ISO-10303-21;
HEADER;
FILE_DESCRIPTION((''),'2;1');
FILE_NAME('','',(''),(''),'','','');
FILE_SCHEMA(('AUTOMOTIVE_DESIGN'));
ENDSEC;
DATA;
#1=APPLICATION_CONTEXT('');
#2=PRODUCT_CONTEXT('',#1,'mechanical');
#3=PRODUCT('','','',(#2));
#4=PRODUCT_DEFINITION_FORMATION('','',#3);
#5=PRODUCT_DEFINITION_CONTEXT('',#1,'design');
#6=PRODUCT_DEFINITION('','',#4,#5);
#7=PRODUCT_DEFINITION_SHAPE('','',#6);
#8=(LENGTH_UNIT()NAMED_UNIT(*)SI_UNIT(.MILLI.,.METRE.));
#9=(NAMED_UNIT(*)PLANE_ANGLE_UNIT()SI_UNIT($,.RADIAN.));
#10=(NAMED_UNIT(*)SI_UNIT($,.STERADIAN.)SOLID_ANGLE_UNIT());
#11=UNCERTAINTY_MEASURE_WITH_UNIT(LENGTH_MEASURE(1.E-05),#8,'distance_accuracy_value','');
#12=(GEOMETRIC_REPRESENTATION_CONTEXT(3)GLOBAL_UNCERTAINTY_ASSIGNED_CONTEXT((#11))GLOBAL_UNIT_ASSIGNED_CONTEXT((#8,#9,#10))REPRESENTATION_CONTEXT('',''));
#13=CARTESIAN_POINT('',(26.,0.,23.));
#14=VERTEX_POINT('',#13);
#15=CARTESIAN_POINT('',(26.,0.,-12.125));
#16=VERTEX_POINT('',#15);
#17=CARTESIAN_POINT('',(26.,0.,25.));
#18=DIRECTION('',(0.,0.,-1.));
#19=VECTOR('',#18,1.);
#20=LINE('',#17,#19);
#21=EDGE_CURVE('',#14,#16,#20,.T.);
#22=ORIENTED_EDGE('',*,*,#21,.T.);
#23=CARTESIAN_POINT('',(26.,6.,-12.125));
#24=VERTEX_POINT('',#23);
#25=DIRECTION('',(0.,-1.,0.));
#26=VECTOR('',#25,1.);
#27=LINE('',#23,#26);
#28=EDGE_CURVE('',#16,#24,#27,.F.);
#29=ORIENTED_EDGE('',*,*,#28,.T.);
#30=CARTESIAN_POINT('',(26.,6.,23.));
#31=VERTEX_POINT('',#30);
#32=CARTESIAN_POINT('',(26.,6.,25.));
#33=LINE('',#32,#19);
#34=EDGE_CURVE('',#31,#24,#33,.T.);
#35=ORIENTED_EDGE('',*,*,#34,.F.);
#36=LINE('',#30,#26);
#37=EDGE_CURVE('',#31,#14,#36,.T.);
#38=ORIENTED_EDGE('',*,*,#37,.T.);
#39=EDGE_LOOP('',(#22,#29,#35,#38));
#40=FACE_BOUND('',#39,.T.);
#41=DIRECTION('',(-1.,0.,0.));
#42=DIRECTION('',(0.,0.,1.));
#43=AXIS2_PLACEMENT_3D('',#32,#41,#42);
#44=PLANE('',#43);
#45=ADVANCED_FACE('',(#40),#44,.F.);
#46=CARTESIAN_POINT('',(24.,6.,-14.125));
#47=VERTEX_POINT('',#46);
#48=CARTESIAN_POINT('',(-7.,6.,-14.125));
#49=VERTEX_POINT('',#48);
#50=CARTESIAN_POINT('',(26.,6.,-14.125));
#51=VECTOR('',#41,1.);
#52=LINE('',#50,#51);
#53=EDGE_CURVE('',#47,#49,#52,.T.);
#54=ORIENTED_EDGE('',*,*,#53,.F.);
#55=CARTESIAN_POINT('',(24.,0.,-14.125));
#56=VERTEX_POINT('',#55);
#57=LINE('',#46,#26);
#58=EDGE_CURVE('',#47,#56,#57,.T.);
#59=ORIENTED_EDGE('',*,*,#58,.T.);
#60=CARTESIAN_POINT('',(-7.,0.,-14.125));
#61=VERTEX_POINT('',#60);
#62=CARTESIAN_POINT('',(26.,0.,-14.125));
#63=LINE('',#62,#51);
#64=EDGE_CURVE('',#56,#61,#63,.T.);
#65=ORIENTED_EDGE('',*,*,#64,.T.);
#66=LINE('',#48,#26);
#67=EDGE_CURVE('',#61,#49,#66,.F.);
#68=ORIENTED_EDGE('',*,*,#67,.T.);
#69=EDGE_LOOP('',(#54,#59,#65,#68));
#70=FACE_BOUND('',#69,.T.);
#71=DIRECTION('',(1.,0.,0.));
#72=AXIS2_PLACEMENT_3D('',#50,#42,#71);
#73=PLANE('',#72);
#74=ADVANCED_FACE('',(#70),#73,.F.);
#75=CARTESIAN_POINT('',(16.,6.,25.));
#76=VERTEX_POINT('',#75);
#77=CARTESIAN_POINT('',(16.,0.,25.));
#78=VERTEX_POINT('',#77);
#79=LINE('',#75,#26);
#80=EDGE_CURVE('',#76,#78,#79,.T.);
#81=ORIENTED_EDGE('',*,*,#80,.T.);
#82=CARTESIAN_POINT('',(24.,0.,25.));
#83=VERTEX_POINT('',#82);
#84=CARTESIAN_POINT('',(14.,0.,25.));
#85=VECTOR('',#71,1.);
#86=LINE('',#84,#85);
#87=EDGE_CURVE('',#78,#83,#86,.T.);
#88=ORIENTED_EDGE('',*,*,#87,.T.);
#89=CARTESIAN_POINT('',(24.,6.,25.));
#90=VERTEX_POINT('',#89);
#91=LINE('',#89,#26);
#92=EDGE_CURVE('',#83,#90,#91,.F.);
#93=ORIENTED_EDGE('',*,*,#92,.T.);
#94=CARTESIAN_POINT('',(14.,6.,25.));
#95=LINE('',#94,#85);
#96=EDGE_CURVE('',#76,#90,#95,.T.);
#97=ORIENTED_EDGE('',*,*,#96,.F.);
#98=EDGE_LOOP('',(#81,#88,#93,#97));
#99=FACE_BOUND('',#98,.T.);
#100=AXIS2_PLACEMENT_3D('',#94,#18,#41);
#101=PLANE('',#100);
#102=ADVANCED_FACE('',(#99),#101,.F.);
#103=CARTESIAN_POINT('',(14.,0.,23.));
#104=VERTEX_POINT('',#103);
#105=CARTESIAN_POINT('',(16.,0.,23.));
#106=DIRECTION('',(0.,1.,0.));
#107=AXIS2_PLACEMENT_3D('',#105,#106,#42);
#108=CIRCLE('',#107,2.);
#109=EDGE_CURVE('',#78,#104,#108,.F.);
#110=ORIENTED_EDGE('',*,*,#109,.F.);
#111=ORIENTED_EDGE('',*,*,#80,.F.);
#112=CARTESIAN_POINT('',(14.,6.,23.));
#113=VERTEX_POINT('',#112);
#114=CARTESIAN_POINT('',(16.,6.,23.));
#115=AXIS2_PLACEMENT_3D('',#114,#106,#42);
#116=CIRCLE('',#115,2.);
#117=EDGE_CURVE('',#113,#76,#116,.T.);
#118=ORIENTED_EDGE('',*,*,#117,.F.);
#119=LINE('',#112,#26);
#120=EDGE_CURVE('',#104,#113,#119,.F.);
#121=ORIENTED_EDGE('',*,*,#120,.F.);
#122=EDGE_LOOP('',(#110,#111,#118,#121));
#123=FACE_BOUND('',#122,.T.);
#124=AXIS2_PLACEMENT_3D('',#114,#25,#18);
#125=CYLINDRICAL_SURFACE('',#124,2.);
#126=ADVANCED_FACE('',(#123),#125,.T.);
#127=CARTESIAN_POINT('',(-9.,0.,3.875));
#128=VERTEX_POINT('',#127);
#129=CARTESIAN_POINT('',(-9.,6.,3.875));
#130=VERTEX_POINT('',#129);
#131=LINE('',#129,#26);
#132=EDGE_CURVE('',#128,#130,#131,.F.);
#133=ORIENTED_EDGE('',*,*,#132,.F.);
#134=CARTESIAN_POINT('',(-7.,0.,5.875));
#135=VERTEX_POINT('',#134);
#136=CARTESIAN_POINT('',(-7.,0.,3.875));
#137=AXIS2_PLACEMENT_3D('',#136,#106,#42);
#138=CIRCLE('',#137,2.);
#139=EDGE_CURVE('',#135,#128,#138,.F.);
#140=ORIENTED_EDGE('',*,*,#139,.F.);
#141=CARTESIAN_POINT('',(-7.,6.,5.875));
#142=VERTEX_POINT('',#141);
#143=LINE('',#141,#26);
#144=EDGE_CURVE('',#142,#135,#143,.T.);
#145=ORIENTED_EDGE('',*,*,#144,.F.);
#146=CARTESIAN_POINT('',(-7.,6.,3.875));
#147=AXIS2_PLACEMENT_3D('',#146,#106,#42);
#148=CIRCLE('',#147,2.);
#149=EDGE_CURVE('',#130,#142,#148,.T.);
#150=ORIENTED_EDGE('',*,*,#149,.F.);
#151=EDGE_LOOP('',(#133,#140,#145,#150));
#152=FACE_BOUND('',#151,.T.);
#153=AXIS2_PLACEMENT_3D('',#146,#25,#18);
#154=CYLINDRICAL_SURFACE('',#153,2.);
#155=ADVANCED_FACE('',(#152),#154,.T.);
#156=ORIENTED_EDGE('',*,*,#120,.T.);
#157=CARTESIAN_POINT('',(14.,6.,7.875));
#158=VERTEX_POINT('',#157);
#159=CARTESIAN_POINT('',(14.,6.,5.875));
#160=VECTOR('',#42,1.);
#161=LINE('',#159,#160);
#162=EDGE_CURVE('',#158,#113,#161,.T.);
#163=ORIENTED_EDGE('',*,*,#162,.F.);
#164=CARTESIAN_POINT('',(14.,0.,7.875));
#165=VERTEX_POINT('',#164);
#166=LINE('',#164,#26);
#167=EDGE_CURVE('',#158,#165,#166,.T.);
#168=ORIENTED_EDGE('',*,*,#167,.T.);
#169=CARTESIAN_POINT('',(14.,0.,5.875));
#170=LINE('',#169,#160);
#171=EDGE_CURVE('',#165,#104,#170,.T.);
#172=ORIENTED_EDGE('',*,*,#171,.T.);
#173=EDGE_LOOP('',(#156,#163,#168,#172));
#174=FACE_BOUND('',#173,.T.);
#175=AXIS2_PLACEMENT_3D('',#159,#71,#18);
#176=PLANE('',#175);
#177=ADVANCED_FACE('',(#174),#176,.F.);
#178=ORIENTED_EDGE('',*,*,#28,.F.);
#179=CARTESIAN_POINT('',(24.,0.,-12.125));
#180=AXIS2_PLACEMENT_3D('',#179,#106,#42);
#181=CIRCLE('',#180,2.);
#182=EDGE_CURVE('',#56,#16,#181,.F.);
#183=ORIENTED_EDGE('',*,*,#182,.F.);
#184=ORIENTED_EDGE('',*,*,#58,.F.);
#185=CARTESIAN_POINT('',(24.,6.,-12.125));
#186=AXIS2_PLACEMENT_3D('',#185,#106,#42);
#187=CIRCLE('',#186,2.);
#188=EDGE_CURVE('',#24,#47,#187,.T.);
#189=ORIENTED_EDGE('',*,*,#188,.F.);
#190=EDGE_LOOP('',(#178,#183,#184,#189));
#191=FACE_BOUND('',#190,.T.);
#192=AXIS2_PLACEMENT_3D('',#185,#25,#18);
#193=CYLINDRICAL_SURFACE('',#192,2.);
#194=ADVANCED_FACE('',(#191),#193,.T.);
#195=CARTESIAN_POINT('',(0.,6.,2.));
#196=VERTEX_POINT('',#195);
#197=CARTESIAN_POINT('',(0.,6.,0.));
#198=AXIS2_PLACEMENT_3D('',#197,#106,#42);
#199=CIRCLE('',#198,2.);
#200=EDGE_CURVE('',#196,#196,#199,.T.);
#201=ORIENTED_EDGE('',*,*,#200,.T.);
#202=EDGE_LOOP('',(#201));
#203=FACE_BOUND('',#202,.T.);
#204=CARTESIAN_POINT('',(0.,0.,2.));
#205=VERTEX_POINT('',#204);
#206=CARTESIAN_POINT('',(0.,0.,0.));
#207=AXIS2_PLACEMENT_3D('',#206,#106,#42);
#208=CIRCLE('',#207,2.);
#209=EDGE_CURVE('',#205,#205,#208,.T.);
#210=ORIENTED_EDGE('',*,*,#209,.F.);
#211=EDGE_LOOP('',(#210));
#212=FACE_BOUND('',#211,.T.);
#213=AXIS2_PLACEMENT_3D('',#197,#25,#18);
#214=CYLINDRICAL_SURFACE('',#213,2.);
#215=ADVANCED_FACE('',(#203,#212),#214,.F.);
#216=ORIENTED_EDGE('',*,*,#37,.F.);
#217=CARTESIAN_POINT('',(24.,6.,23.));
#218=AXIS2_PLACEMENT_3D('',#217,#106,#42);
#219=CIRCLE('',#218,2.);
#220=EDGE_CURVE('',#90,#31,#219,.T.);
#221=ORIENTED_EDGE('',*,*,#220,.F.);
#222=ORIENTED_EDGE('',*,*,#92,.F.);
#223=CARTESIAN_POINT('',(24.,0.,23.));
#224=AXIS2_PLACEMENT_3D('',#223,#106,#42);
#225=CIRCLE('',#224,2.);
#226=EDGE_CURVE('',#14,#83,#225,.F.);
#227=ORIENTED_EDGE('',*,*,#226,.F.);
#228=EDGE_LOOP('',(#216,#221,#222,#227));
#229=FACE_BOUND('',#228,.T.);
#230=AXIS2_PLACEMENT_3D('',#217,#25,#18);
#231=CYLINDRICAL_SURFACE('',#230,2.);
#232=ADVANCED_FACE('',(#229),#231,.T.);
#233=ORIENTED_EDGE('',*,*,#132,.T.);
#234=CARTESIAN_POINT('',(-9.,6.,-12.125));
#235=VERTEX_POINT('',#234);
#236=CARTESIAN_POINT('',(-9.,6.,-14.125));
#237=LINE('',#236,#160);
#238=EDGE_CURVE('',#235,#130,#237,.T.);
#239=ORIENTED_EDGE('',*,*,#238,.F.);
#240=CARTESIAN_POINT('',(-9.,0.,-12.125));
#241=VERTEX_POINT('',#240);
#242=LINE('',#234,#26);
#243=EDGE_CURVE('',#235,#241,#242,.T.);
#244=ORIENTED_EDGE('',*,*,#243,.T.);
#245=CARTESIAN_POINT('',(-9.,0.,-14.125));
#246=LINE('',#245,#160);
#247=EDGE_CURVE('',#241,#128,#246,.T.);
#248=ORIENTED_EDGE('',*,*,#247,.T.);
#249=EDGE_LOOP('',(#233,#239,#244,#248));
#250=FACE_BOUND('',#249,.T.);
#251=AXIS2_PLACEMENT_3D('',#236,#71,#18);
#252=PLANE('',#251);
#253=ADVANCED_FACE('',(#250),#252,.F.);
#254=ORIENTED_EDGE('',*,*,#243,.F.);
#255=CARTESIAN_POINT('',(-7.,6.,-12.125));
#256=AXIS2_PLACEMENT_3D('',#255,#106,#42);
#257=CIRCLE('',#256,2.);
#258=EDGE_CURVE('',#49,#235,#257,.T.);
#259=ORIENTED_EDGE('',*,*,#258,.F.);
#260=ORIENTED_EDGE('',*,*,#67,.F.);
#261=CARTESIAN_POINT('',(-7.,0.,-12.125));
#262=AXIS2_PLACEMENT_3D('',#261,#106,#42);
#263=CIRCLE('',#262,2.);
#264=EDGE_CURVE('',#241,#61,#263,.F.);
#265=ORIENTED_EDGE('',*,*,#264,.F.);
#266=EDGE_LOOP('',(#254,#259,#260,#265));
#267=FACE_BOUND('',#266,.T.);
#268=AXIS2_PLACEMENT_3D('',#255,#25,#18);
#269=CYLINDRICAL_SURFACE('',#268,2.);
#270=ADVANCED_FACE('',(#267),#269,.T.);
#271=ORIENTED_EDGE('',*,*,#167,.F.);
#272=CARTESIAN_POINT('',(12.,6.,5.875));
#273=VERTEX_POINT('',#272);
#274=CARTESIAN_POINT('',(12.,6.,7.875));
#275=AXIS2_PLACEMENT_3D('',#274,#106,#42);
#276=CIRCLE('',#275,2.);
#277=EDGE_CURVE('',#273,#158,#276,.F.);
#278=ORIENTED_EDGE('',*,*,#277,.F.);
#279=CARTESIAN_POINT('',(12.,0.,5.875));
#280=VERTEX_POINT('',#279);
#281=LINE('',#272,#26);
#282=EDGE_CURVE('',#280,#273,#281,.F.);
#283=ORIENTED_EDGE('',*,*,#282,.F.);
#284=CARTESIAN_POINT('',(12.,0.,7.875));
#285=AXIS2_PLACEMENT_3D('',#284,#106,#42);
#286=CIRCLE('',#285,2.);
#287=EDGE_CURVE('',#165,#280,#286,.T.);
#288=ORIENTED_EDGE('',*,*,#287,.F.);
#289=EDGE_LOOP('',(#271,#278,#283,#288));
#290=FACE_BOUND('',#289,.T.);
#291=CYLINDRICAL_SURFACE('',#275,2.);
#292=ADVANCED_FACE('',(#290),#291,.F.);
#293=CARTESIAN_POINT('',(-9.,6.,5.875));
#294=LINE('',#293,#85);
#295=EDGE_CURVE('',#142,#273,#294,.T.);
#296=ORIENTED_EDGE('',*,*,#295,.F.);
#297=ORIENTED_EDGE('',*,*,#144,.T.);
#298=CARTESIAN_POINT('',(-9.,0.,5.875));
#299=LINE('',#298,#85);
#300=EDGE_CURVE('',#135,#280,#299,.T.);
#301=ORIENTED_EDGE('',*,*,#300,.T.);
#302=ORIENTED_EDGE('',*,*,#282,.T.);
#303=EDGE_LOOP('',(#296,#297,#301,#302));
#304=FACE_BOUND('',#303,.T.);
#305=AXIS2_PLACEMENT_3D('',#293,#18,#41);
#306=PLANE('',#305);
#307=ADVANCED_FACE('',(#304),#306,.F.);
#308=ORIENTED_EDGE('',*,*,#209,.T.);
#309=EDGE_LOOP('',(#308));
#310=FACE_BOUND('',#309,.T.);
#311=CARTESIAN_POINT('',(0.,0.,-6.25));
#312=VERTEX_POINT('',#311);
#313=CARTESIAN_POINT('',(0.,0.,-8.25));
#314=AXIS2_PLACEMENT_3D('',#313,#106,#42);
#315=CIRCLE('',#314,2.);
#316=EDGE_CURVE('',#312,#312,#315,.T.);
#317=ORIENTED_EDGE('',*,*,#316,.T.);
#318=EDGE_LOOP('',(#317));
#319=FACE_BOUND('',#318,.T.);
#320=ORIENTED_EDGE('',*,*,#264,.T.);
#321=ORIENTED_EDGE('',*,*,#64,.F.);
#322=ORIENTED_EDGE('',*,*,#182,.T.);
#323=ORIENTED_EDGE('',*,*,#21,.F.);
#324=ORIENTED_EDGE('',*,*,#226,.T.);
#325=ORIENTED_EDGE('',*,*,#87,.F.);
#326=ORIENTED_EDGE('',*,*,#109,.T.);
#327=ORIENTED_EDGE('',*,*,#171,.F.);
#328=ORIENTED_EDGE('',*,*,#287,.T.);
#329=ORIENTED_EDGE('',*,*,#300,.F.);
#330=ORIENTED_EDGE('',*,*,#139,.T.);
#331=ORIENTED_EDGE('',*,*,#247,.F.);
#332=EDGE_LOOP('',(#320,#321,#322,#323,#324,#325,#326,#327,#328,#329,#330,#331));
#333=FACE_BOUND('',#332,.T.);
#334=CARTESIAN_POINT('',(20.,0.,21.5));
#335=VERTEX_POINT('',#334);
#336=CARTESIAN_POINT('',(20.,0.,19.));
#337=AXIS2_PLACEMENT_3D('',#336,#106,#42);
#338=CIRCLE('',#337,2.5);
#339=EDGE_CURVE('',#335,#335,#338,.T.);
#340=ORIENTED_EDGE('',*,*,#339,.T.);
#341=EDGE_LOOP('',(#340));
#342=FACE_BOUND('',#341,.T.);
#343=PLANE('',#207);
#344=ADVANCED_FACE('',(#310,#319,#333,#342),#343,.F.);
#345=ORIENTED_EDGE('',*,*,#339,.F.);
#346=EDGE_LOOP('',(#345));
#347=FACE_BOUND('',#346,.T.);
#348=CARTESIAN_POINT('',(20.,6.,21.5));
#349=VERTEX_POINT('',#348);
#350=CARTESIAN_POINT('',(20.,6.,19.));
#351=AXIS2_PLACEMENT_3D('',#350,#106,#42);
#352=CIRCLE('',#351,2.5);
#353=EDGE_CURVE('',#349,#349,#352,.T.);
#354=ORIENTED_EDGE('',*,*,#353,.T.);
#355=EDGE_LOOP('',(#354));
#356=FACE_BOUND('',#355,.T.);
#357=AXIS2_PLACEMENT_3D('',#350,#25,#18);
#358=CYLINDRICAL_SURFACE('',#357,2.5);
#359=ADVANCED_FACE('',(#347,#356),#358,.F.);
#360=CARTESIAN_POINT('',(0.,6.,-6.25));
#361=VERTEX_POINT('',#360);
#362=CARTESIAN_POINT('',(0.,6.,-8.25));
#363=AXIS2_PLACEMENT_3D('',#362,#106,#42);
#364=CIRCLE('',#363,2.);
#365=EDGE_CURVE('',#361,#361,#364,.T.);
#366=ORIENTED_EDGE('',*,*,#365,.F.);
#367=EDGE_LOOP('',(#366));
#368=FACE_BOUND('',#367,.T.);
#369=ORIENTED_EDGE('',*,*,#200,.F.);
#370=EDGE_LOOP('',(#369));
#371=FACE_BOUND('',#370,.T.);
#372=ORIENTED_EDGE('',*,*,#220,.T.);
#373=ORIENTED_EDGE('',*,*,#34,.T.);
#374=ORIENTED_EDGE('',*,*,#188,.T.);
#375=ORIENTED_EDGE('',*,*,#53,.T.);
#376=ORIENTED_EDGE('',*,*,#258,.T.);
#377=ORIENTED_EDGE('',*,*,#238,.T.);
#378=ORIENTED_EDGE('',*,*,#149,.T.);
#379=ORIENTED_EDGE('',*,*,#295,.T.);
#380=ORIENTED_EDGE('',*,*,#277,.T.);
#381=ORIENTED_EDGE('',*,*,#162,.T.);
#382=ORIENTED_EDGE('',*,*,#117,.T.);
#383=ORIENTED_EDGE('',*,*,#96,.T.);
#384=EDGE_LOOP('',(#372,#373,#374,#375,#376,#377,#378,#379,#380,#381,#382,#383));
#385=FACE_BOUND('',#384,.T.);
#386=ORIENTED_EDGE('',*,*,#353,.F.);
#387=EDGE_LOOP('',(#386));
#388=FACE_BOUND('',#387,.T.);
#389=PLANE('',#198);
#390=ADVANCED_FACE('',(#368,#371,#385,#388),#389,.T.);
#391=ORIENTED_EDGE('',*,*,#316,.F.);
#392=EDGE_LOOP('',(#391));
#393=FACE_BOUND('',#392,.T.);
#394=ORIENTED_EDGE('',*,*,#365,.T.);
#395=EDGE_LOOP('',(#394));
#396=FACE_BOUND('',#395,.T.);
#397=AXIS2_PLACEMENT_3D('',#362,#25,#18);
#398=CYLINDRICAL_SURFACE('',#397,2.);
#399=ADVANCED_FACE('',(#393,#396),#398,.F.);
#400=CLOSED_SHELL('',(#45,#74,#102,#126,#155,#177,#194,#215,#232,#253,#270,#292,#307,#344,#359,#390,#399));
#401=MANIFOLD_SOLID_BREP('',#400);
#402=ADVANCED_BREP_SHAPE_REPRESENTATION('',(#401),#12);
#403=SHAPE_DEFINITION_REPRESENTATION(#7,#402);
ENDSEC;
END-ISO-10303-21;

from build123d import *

# Parameters (mm, degrees)
SKETCH1_R           = 2
SKETCH1_R_2         = 2.5
BOSS_EXTRUDE1_DEPTH = 6
FILLET1_R           = 2


with BuildPart() as part:
    # Sketch1 → Boss-Extrude1 (new body)
    with BuildSketch(Plane(origin=(0, 0, 0), x_dir=(1, 0, 0), z_dir=(0, 1, 0))):
        Polygon((-9, 14.125), (-9, -5.875), (14, -5.875), (14, -25), (26, -25), (26, 14.125), align=None)
        with Locations((0, 8.25)):
            Circle(SKETCH1_R, mode=Mode.SUBTRACT)
        Circle(SKETCH1_R, mode=Mode.SUBTRACT)
        with Locations((20, -19)):
            Circle(SKETCH1_R_2, mode=Mode.SUBTRACT)
    extrude(amount=BOSS_EXTRUDE1_DEPTH)

    # Fillet1
    fillet1_edges = [part.edges().sort_by_distance(p)[0] for p in [
        (14, 3, 25),
        (14, 3, 5.875),
        (-9, 3, 5.875),
        (-9, 3, -14.125),
        (26, 3, -14.125),
        (26, 3, 25),
    ]]
    fillet(fillet1_edges, radius=FILLET1_R)


solid = part.part
